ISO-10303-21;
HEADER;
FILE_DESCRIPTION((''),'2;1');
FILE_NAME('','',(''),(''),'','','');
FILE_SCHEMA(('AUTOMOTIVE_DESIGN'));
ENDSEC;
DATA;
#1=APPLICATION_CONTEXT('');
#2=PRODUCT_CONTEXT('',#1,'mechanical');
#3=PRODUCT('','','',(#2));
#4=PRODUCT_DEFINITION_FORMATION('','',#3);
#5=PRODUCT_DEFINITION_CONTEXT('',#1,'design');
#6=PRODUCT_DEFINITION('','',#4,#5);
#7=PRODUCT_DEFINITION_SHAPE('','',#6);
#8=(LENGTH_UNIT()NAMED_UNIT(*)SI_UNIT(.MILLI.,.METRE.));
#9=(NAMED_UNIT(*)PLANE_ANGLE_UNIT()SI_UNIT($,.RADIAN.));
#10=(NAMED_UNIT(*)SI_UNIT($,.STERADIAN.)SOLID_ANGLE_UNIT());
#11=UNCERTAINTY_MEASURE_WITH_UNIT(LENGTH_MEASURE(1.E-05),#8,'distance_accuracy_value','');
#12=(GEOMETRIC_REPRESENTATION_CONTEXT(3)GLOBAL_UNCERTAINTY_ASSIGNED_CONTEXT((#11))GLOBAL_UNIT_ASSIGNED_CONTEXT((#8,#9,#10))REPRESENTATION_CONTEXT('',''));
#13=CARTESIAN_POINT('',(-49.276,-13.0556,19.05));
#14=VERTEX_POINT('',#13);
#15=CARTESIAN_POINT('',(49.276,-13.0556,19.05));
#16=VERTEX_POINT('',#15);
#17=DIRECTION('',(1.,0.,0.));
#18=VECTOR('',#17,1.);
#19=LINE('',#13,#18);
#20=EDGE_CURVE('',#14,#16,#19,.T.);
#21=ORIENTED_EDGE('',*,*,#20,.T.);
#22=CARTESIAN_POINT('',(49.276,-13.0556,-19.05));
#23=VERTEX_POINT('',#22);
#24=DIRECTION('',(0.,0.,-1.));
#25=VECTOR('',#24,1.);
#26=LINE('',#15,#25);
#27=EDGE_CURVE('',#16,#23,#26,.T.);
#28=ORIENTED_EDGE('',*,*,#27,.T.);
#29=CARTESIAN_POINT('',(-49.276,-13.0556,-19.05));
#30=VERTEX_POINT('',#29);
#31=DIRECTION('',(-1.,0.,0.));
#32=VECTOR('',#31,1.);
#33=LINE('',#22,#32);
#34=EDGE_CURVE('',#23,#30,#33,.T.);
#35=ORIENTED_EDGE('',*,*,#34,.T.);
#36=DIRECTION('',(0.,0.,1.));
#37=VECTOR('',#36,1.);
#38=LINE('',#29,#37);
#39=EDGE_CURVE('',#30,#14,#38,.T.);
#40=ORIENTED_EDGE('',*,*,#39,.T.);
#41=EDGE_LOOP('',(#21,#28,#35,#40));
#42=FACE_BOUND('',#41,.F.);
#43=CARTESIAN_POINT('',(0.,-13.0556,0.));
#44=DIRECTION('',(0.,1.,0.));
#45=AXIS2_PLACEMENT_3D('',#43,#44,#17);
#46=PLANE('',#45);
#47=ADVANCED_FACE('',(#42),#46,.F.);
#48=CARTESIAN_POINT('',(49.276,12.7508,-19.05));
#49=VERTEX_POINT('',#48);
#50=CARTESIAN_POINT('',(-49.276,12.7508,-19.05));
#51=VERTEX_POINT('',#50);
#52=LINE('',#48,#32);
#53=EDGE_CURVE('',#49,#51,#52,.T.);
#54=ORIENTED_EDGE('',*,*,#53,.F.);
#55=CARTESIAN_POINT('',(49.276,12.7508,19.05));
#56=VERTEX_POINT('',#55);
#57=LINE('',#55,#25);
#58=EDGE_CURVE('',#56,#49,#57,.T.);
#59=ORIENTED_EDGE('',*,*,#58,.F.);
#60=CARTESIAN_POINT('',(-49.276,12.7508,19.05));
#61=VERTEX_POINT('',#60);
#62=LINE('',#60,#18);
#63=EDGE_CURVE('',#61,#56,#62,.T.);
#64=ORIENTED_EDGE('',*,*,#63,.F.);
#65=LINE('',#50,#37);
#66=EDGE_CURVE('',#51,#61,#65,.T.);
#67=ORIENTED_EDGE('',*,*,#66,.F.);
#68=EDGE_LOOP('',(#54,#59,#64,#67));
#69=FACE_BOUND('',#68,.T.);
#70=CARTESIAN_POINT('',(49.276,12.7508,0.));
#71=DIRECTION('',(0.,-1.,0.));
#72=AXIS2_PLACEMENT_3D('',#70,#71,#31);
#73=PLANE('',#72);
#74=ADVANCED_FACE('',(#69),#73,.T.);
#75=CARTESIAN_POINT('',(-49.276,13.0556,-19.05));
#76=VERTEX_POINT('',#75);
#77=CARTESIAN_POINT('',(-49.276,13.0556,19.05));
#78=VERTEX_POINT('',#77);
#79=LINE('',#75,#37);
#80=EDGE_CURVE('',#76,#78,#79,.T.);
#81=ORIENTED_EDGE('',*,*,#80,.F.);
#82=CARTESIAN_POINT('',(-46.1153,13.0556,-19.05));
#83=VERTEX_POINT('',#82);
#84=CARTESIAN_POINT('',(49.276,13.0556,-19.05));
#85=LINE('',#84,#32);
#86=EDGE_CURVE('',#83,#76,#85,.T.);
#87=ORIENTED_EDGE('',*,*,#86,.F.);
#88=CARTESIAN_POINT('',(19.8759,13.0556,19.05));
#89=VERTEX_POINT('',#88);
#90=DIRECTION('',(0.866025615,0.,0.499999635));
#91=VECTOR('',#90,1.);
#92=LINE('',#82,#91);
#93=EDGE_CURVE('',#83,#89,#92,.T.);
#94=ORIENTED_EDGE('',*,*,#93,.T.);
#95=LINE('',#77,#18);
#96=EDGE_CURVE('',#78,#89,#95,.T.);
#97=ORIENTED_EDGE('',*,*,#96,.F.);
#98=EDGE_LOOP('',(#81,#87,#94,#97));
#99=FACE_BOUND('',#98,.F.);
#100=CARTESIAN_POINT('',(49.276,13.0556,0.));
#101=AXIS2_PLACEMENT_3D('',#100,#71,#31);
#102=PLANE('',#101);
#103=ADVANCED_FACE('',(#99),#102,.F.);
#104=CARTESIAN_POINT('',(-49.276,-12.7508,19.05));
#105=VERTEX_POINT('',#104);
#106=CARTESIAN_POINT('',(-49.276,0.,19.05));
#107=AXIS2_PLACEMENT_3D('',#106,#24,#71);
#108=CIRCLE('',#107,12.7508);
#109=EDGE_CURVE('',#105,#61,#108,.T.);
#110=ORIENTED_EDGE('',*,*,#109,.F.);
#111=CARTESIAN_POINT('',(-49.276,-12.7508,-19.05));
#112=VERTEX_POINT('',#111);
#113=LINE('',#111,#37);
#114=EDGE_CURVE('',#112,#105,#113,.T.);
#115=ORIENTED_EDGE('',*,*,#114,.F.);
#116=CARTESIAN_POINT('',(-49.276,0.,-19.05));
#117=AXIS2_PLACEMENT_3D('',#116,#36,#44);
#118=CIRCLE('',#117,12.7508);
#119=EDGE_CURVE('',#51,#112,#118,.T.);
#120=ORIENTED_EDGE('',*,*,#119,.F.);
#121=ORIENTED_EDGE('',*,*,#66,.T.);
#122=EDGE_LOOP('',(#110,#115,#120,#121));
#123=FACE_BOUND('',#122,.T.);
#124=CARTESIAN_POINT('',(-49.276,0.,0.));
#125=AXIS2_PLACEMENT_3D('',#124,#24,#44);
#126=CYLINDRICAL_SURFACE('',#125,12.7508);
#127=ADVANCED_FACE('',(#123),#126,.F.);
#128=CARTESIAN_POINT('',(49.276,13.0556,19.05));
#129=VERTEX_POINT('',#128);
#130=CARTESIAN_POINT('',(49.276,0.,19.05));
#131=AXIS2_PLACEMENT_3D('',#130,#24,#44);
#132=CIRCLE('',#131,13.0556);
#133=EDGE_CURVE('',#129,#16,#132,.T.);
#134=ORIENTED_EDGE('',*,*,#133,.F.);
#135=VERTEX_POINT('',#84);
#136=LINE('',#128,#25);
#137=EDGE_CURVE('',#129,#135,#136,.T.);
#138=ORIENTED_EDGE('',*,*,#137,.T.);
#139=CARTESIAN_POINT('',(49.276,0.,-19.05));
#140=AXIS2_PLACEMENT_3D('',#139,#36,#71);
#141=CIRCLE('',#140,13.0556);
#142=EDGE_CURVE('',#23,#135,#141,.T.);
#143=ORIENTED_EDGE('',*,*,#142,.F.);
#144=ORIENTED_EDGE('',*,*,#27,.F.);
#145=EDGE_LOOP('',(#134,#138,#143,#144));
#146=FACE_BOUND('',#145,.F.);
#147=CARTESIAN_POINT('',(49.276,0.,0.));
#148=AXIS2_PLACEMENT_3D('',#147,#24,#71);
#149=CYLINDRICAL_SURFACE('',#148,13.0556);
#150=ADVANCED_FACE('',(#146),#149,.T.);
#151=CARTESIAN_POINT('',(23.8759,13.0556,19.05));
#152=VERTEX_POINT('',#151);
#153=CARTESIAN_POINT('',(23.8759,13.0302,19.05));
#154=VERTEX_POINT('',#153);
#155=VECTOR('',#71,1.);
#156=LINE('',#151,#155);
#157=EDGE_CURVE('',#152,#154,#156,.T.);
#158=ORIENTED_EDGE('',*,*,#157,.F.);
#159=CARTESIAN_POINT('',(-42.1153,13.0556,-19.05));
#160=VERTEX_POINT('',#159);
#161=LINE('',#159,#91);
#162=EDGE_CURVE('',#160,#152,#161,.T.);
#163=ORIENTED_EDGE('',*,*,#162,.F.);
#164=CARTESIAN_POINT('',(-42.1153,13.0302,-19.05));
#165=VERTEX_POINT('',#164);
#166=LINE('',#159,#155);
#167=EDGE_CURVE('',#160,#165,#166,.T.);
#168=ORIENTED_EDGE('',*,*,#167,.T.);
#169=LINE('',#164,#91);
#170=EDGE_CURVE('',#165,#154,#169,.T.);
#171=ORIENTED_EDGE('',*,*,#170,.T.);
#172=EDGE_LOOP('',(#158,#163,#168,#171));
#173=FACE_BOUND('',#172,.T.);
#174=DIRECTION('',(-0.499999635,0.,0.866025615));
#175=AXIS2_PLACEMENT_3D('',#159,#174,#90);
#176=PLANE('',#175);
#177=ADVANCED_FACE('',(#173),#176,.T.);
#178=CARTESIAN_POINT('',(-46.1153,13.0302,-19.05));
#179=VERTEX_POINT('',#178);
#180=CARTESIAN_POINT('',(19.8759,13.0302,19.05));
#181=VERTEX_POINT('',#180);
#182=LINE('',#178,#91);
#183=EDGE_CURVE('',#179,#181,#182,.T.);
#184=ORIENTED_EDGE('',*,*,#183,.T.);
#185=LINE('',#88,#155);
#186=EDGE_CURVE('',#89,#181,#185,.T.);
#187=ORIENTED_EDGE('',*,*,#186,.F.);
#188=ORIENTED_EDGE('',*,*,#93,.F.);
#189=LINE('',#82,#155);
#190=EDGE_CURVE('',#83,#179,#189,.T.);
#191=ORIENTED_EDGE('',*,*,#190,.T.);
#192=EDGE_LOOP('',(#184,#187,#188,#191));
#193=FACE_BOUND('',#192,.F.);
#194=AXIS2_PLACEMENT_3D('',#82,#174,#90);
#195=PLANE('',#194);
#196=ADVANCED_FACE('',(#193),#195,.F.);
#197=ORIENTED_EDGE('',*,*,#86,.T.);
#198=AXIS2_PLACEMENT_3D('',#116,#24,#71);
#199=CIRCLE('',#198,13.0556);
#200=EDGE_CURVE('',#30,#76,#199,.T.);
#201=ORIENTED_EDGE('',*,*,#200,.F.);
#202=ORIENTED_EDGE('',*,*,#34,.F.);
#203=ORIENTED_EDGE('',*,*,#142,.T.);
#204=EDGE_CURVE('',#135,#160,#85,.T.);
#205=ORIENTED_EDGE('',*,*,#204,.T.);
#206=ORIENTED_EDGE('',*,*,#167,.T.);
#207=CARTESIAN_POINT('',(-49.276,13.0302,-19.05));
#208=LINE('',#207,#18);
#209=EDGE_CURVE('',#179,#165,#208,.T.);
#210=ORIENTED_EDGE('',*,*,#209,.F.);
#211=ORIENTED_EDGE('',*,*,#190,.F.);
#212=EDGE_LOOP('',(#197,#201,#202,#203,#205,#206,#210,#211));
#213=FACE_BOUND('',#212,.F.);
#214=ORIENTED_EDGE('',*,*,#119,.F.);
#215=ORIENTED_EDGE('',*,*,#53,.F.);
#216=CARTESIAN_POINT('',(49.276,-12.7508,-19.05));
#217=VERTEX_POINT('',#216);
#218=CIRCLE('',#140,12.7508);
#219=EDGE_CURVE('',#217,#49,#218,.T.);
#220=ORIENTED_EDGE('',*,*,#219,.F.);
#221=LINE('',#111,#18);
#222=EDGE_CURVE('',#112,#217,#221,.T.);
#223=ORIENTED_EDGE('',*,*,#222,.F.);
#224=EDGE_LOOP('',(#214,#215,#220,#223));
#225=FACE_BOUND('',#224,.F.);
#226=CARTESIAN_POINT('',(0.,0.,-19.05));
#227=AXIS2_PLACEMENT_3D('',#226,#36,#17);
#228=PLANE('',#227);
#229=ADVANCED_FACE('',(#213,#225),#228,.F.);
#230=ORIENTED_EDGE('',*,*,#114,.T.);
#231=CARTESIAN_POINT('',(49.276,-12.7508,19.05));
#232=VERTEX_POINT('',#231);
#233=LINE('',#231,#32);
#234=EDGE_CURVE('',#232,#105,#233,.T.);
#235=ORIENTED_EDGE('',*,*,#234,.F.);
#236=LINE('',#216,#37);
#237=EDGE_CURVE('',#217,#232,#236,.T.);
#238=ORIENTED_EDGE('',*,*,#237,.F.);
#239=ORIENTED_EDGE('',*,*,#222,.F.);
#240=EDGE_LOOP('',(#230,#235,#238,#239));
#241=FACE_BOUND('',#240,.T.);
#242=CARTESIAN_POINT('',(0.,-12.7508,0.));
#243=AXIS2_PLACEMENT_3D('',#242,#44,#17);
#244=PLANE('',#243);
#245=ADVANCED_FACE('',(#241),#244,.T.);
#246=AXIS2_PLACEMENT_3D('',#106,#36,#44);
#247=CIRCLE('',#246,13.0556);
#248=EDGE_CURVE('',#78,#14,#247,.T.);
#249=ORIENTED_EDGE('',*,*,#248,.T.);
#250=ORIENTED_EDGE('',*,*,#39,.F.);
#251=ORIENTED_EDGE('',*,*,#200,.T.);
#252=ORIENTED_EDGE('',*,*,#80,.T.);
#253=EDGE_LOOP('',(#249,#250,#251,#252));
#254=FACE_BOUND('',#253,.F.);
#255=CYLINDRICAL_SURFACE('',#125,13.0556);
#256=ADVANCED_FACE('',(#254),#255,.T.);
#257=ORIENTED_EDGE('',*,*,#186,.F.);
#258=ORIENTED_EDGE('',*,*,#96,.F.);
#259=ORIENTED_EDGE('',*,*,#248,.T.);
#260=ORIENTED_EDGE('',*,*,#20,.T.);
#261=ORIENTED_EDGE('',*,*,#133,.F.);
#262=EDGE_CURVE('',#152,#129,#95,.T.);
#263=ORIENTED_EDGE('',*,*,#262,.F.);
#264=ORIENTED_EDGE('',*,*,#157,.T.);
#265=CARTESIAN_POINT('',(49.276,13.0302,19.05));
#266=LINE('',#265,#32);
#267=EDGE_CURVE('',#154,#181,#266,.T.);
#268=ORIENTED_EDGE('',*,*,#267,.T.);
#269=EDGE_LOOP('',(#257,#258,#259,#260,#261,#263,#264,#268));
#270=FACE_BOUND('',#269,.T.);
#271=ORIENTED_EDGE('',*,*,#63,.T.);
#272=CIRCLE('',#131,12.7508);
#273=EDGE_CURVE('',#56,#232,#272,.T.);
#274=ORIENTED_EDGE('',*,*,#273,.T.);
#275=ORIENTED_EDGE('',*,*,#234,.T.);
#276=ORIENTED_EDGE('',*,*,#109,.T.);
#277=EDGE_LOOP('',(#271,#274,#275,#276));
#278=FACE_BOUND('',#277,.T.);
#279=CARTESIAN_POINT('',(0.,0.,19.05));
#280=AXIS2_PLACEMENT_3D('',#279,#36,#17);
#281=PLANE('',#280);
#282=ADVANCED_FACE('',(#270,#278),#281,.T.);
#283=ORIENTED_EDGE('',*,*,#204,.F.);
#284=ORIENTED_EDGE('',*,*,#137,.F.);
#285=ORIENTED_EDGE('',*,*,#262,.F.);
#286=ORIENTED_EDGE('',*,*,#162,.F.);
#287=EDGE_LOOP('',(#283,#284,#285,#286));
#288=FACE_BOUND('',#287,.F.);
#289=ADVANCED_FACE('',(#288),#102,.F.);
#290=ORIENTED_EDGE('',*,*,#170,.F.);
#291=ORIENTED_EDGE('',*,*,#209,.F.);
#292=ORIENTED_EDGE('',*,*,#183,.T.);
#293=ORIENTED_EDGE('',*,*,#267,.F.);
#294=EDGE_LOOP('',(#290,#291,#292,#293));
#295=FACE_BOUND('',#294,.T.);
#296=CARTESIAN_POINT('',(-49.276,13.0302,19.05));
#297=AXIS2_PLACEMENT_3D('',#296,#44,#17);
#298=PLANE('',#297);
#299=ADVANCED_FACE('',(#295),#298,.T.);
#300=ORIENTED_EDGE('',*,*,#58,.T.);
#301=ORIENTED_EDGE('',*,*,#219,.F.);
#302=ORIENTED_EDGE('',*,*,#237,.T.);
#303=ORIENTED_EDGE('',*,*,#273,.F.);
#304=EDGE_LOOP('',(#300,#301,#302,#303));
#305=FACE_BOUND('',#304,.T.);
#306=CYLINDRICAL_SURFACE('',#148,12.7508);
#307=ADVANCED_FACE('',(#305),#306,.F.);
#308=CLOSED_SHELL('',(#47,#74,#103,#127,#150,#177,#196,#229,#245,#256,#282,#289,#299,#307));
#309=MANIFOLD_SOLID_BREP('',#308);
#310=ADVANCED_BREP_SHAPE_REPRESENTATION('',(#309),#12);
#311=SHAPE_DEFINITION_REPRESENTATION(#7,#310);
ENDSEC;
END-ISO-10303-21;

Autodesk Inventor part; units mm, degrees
ref_plane "YZ Plane" through (0, 0, 0) normal (1, 0, 0) x (0, 1, 0)
ref_plane "XZ Plane" through (0, 0, 0) normal (0, 1, 0) x (-1, 0, 0)
ref_plane "XY Plane" through (0, 0, 0) normal (0, 0, 1) x (1, 0, 0)
sketch "Sketch1" plane through (0, 0, 0) normal (0, 0, 1) x (1, 0, 0)
  line L0 (0, 26.7405) -> (0, -19.6883) projected
  line L1 (-211.1375, 0) -> (211.1375, 0) projected
  arc A0 (-49.276, 12.9032) -> (-49.276, -12.9032) centre (-49.276, 0) ccw
  arc A1 (49.276, -12.9032) -> (49.276, 12.9032) centre (49.276, 0) ccw
  line L2 (0, 0) -> (0, 20.1078) construction
  line L3 (-49.276, 12.9032) -> (49.276, 12.9032)
  line L4 (-49.276, -12.9032) -> (49.276, -12.9032)
  line L5 (49.276, 13.0556) -> (-49.276, 13.0556)
  arc A2 (-49.276, 13.0556) -> (-49.276, -13.0556) centre (-49.276, 0) ccw
  line L6 (-49.276, -13.0556) -> (49.276, -13.0556)
  arc A3 (49.276, -13.0556) -> (49.276, 13.0556) centre (49.276, 0) ccw
  line L7 (49.276, 12.7508) -> (-49.276, 12.7508)
  arc A4 (-49.276, 12.7508) -> (-49.276, -12.7508) centre (-49.276, 0) ccw
  line L8 (-49.276, -12.7508) -> (49.276, -12.7508)
  arc A5 (49.276, -12.7508) -> (49.276, 12.7508) centre (49.276, 0) ccw
  dimension "d0" = 25.8064
  dimension "d1" = 98.552
  dimension "d2" = 12.9032
  dimension "d3" = 0.1524
  dimension "d4" = 0.1524
  dimension "d7" = 12.7508
extrude "Extrusion1" add sketch "Sketch1" along normal mid plane 38.1 contours L5 A3 L1 A1 L3 L0 | L0 L3 A0 L1 A2 L5 | L3 A1 L1 A5 L7 L0 | L0 L7 A4 L1 A0 L3 | A3 L6 L0 L4 A1 L1 | L1 A0 L4 L0 L6 A2 | L1 A4 L8 L0 L4 A0 | A1 L4 L0 L8 A5 L1
sketch "Sketch4" plane through (-49.276, 13.0556, 19.05) normal (0, 1, 0) x (1, 0, 0)
  line L0 (0, 38.1) -> (98.552, 38.1) projected
  line L1 (3.1607, 38.1) -> (69.1519, 0)
  line L2 (98.552, 0) -> (0, 0) projected
  line L3 (7.1607, 38.1) -> (73.1519, 0)
  point P0 (49.276, 19.05)
  dimension "d88" = 30
  dimension "d89" = 2
extrude "Extrusion7" cut sketch "Sketch4" against normal blind 0.0254
properties part number "J005559" material "POLYESTER, BLACK"
